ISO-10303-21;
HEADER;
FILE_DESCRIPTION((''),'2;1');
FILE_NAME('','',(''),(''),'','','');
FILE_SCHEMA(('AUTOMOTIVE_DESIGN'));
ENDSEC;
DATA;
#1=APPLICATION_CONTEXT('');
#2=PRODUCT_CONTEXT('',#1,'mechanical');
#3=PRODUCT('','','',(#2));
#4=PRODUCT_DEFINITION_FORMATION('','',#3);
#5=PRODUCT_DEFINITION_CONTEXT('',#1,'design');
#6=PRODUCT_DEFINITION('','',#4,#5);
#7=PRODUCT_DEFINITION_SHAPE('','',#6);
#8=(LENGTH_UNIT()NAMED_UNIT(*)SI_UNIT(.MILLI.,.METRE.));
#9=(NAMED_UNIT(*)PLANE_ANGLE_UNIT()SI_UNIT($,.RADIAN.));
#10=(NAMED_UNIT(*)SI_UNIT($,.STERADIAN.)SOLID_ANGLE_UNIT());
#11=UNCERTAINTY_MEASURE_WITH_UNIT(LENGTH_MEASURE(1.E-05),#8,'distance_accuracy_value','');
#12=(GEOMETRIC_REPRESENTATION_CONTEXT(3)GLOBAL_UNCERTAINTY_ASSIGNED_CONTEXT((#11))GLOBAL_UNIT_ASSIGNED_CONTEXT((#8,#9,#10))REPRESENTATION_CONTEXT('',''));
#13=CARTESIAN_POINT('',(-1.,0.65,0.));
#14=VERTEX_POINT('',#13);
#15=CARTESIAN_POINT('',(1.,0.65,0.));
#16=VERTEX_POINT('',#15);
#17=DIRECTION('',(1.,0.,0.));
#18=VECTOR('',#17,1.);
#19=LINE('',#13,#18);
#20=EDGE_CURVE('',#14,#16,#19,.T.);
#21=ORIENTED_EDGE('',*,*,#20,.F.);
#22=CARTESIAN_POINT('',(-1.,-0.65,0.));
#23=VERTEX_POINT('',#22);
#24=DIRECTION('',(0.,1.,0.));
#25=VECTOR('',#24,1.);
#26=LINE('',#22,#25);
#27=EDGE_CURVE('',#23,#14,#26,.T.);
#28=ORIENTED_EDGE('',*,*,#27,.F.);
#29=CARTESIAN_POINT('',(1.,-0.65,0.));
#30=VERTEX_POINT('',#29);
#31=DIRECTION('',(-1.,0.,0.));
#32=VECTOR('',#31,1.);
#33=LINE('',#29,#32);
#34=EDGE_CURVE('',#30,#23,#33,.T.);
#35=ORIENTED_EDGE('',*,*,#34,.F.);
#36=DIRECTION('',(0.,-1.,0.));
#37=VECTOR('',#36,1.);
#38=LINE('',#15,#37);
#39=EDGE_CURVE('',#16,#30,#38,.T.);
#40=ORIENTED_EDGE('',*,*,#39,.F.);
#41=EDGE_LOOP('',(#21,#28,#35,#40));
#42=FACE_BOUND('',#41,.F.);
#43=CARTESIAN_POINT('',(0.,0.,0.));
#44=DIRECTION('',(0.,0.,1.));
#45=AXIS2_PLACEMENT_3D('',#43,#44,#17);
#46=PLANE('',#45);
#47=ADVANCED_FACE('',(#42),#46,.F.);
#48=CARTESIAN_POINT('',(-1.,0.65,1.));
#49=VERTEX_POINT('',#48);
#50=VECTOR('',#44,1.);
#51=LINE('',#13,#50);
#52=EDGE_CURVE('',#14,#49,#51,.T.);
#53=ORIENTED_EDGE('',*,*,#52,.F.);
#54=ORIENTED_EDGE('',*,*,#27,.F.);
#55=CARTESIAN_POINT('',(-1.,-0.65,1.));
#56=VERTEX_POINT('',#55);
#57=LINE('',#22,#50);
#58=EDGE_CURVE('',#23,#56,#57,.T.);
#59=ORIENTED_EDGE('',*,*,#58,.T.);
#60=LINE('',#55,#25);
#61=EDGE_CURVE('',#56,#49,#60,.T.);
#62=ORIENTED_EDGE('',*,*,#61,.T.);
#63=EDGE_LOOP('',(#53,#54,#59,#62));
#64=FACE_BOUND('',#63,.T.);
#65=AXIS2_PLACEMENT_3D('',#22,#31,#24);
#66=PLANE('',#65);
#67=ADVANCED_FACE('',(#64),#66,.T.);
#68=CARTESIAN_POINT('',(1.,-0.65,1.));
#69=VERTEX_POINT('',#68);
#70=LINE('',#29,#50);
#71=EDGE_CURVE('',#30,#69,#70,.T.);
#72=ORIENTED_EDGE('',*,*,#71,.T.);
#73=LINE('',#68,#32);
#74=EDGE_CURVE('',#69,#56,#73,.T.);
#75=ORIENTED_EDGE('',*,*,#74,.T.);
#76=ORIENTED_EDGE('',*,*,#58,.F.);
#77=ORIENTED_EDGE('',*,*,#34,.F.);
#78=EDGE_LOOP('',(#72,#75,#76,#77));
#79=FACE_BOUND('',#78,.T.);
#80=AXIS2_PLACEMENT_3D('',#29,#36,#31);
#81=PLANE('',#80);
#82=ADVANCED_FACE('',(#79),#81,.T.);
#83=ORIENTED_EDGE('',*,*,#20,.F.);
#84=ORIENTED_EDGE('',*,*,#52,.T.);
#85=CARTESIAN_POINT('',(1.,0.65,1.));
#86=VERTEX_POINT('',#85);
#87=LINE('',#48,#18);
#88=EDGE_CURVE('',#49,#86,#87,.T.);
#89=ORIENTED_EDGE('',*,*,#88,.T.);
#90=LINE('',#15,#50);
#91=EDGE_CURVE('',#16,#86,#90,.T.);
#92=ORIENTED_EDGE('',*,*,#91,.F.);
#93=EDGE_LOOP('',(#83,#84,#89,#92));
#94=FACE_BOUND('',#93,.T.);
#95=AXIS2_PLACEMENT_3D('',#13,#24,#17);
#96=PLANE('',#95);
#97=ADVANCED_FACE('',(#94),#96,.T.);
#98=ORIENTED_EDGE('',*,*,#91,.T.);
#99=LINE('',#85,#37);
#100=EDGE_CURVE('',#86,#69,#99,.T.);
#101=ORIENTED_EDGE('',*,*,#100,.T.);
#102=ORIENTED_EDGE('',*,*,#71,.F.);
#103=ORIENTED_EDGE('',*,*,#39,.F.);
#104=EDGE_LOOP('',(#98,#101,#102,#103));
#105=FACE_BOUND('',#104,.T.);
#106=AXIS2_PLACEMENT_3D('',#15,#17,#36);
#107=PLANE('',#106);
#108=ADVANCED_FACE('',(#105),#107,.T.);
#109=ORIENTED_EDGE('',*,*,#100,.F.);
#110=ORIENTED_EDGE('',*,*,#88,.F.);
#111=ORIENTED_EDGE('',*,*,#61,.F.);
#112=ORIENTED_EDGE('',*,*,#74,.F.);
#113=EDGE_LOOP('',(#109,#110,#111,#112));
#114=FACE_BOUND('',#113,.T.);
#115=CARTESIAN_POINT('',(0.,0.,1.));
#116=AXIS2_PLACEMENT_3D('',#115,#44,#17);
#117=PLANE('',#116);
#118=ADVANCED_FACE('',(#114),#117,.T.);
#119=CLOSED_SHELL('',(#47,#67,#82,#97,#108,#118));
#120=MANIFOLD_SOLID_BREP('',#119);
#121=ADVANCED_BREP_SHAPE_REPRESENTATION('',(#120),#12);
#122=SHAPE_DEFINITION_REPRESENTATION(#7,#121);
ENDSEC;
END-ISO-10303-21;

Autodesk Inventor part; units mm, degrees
ref_plane "YZ Plane" through (0, 0, 0) normal (1, 0, 0) x (0, 1, 0)
ref_plane "XZ Plane" through (0, 0, 0) normal (0, 1, 0) x (-1, 0, 0)
ref_plane "XY Plane" through (0, 0, 0) normal (0, 0, 1) x (1, 0, 0)
sketch "_0805MP, 10K_52" plane through (0, 0, 0) normal (0, 0, 1) x (1, 0, 0)
  line L0 (-1, 0.65) -> (1, 0.65)
  line L1 (1, 0.65) -> (1, -0.65)
  line L2 (1, -0.65) -> (-1, -0.65)
  line L3 (-1, -0.65) -> (-1, 0.65)
extrude "Extrusion1" add sketch "_0805MP, 10K_52" along normal blind 1
properties part number "10K"
